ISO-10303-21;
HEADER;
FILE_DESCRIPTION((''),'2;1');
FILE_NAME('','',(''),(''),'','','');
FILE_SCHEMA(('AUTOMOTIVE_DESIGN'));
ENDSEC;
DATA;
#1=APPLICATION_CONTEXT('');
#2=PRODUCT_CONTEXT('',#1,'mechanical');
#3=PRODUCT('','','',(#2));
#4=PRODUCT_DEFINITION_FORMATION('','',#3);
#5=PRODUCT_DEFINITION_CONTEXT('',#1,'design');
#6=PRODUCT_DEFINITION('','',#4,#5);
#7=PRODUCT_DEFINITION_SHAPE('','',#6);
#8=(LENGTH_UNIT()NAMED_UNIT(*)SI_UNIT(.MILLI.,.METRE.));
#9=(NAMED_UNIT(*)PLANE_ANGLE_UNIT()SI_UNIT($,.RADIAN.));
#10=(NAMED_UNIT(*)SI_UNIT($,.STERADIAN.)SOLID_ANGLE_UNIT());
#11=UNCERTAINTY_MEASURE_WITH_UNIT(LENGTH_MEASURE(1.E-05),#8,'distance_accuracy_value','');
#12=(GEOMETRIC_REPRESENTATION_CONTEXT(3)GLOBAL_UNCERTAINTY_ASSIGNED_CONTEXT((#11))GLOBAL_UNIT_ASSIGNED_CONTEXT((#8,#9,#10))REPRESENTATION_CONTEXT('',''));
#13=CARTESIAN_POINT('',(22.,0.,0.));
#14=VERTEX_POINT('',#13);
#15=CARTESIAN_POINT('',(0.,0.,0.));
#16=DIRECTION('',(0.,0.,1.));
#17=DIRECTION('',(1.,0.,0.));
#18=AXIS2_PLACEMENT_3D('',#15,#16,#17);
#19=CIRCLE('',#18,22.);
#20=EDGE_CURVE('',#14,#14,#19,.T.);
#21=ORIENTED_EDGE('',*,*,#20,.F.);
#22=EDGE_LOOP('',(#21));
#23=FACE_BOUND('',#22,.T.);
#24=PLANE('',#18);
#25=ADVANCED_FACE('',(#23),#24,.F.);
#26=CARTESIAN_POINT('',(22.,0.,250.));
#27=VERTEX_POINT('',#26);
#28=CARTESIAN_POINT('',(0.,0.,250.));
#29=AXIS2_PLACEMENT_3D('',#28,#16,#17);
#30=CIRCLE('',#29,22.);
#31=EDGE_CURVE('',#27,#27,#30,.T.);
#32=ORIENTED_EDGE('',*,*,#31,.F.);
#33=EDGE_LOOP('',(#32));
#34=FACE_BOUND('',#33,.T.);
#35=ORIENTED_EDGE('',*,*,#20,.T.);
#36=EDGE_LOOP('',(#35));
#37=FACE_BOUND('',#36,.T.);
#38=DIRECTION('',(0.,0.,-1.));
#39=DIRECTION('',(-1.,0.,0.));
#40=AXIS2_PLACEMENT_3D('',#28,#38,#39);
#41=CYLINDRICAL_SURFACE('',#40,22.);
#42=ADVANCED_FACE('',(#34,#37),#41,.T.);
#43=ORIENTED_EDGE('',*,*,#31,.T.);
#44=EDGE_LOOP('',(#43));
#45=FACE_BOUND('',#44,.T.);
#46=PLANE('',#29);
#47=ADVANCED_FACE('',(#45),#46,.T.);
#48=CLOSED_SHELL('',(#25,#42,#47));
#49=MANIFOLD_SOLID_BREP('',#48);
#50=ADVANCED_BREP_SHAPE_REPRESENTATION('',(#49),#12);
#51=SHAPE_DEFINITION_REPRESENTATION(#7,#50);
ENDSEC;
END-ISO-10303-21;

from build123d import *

# Parameters (mm, degrees)
ESQUISSE1_R        = 22
BOSS_EXTRU_1_DEPTH = 250


with BuildPart() as part:
    # Esquisse1 → Boss.-Extru.1 (new body)
    with BuildSketch(Plane.XY):
        Circle(ESQUISSE1_R)
    extrude(amount=BOSS_EXTRU_1_DEPTH)


solid = part.part
